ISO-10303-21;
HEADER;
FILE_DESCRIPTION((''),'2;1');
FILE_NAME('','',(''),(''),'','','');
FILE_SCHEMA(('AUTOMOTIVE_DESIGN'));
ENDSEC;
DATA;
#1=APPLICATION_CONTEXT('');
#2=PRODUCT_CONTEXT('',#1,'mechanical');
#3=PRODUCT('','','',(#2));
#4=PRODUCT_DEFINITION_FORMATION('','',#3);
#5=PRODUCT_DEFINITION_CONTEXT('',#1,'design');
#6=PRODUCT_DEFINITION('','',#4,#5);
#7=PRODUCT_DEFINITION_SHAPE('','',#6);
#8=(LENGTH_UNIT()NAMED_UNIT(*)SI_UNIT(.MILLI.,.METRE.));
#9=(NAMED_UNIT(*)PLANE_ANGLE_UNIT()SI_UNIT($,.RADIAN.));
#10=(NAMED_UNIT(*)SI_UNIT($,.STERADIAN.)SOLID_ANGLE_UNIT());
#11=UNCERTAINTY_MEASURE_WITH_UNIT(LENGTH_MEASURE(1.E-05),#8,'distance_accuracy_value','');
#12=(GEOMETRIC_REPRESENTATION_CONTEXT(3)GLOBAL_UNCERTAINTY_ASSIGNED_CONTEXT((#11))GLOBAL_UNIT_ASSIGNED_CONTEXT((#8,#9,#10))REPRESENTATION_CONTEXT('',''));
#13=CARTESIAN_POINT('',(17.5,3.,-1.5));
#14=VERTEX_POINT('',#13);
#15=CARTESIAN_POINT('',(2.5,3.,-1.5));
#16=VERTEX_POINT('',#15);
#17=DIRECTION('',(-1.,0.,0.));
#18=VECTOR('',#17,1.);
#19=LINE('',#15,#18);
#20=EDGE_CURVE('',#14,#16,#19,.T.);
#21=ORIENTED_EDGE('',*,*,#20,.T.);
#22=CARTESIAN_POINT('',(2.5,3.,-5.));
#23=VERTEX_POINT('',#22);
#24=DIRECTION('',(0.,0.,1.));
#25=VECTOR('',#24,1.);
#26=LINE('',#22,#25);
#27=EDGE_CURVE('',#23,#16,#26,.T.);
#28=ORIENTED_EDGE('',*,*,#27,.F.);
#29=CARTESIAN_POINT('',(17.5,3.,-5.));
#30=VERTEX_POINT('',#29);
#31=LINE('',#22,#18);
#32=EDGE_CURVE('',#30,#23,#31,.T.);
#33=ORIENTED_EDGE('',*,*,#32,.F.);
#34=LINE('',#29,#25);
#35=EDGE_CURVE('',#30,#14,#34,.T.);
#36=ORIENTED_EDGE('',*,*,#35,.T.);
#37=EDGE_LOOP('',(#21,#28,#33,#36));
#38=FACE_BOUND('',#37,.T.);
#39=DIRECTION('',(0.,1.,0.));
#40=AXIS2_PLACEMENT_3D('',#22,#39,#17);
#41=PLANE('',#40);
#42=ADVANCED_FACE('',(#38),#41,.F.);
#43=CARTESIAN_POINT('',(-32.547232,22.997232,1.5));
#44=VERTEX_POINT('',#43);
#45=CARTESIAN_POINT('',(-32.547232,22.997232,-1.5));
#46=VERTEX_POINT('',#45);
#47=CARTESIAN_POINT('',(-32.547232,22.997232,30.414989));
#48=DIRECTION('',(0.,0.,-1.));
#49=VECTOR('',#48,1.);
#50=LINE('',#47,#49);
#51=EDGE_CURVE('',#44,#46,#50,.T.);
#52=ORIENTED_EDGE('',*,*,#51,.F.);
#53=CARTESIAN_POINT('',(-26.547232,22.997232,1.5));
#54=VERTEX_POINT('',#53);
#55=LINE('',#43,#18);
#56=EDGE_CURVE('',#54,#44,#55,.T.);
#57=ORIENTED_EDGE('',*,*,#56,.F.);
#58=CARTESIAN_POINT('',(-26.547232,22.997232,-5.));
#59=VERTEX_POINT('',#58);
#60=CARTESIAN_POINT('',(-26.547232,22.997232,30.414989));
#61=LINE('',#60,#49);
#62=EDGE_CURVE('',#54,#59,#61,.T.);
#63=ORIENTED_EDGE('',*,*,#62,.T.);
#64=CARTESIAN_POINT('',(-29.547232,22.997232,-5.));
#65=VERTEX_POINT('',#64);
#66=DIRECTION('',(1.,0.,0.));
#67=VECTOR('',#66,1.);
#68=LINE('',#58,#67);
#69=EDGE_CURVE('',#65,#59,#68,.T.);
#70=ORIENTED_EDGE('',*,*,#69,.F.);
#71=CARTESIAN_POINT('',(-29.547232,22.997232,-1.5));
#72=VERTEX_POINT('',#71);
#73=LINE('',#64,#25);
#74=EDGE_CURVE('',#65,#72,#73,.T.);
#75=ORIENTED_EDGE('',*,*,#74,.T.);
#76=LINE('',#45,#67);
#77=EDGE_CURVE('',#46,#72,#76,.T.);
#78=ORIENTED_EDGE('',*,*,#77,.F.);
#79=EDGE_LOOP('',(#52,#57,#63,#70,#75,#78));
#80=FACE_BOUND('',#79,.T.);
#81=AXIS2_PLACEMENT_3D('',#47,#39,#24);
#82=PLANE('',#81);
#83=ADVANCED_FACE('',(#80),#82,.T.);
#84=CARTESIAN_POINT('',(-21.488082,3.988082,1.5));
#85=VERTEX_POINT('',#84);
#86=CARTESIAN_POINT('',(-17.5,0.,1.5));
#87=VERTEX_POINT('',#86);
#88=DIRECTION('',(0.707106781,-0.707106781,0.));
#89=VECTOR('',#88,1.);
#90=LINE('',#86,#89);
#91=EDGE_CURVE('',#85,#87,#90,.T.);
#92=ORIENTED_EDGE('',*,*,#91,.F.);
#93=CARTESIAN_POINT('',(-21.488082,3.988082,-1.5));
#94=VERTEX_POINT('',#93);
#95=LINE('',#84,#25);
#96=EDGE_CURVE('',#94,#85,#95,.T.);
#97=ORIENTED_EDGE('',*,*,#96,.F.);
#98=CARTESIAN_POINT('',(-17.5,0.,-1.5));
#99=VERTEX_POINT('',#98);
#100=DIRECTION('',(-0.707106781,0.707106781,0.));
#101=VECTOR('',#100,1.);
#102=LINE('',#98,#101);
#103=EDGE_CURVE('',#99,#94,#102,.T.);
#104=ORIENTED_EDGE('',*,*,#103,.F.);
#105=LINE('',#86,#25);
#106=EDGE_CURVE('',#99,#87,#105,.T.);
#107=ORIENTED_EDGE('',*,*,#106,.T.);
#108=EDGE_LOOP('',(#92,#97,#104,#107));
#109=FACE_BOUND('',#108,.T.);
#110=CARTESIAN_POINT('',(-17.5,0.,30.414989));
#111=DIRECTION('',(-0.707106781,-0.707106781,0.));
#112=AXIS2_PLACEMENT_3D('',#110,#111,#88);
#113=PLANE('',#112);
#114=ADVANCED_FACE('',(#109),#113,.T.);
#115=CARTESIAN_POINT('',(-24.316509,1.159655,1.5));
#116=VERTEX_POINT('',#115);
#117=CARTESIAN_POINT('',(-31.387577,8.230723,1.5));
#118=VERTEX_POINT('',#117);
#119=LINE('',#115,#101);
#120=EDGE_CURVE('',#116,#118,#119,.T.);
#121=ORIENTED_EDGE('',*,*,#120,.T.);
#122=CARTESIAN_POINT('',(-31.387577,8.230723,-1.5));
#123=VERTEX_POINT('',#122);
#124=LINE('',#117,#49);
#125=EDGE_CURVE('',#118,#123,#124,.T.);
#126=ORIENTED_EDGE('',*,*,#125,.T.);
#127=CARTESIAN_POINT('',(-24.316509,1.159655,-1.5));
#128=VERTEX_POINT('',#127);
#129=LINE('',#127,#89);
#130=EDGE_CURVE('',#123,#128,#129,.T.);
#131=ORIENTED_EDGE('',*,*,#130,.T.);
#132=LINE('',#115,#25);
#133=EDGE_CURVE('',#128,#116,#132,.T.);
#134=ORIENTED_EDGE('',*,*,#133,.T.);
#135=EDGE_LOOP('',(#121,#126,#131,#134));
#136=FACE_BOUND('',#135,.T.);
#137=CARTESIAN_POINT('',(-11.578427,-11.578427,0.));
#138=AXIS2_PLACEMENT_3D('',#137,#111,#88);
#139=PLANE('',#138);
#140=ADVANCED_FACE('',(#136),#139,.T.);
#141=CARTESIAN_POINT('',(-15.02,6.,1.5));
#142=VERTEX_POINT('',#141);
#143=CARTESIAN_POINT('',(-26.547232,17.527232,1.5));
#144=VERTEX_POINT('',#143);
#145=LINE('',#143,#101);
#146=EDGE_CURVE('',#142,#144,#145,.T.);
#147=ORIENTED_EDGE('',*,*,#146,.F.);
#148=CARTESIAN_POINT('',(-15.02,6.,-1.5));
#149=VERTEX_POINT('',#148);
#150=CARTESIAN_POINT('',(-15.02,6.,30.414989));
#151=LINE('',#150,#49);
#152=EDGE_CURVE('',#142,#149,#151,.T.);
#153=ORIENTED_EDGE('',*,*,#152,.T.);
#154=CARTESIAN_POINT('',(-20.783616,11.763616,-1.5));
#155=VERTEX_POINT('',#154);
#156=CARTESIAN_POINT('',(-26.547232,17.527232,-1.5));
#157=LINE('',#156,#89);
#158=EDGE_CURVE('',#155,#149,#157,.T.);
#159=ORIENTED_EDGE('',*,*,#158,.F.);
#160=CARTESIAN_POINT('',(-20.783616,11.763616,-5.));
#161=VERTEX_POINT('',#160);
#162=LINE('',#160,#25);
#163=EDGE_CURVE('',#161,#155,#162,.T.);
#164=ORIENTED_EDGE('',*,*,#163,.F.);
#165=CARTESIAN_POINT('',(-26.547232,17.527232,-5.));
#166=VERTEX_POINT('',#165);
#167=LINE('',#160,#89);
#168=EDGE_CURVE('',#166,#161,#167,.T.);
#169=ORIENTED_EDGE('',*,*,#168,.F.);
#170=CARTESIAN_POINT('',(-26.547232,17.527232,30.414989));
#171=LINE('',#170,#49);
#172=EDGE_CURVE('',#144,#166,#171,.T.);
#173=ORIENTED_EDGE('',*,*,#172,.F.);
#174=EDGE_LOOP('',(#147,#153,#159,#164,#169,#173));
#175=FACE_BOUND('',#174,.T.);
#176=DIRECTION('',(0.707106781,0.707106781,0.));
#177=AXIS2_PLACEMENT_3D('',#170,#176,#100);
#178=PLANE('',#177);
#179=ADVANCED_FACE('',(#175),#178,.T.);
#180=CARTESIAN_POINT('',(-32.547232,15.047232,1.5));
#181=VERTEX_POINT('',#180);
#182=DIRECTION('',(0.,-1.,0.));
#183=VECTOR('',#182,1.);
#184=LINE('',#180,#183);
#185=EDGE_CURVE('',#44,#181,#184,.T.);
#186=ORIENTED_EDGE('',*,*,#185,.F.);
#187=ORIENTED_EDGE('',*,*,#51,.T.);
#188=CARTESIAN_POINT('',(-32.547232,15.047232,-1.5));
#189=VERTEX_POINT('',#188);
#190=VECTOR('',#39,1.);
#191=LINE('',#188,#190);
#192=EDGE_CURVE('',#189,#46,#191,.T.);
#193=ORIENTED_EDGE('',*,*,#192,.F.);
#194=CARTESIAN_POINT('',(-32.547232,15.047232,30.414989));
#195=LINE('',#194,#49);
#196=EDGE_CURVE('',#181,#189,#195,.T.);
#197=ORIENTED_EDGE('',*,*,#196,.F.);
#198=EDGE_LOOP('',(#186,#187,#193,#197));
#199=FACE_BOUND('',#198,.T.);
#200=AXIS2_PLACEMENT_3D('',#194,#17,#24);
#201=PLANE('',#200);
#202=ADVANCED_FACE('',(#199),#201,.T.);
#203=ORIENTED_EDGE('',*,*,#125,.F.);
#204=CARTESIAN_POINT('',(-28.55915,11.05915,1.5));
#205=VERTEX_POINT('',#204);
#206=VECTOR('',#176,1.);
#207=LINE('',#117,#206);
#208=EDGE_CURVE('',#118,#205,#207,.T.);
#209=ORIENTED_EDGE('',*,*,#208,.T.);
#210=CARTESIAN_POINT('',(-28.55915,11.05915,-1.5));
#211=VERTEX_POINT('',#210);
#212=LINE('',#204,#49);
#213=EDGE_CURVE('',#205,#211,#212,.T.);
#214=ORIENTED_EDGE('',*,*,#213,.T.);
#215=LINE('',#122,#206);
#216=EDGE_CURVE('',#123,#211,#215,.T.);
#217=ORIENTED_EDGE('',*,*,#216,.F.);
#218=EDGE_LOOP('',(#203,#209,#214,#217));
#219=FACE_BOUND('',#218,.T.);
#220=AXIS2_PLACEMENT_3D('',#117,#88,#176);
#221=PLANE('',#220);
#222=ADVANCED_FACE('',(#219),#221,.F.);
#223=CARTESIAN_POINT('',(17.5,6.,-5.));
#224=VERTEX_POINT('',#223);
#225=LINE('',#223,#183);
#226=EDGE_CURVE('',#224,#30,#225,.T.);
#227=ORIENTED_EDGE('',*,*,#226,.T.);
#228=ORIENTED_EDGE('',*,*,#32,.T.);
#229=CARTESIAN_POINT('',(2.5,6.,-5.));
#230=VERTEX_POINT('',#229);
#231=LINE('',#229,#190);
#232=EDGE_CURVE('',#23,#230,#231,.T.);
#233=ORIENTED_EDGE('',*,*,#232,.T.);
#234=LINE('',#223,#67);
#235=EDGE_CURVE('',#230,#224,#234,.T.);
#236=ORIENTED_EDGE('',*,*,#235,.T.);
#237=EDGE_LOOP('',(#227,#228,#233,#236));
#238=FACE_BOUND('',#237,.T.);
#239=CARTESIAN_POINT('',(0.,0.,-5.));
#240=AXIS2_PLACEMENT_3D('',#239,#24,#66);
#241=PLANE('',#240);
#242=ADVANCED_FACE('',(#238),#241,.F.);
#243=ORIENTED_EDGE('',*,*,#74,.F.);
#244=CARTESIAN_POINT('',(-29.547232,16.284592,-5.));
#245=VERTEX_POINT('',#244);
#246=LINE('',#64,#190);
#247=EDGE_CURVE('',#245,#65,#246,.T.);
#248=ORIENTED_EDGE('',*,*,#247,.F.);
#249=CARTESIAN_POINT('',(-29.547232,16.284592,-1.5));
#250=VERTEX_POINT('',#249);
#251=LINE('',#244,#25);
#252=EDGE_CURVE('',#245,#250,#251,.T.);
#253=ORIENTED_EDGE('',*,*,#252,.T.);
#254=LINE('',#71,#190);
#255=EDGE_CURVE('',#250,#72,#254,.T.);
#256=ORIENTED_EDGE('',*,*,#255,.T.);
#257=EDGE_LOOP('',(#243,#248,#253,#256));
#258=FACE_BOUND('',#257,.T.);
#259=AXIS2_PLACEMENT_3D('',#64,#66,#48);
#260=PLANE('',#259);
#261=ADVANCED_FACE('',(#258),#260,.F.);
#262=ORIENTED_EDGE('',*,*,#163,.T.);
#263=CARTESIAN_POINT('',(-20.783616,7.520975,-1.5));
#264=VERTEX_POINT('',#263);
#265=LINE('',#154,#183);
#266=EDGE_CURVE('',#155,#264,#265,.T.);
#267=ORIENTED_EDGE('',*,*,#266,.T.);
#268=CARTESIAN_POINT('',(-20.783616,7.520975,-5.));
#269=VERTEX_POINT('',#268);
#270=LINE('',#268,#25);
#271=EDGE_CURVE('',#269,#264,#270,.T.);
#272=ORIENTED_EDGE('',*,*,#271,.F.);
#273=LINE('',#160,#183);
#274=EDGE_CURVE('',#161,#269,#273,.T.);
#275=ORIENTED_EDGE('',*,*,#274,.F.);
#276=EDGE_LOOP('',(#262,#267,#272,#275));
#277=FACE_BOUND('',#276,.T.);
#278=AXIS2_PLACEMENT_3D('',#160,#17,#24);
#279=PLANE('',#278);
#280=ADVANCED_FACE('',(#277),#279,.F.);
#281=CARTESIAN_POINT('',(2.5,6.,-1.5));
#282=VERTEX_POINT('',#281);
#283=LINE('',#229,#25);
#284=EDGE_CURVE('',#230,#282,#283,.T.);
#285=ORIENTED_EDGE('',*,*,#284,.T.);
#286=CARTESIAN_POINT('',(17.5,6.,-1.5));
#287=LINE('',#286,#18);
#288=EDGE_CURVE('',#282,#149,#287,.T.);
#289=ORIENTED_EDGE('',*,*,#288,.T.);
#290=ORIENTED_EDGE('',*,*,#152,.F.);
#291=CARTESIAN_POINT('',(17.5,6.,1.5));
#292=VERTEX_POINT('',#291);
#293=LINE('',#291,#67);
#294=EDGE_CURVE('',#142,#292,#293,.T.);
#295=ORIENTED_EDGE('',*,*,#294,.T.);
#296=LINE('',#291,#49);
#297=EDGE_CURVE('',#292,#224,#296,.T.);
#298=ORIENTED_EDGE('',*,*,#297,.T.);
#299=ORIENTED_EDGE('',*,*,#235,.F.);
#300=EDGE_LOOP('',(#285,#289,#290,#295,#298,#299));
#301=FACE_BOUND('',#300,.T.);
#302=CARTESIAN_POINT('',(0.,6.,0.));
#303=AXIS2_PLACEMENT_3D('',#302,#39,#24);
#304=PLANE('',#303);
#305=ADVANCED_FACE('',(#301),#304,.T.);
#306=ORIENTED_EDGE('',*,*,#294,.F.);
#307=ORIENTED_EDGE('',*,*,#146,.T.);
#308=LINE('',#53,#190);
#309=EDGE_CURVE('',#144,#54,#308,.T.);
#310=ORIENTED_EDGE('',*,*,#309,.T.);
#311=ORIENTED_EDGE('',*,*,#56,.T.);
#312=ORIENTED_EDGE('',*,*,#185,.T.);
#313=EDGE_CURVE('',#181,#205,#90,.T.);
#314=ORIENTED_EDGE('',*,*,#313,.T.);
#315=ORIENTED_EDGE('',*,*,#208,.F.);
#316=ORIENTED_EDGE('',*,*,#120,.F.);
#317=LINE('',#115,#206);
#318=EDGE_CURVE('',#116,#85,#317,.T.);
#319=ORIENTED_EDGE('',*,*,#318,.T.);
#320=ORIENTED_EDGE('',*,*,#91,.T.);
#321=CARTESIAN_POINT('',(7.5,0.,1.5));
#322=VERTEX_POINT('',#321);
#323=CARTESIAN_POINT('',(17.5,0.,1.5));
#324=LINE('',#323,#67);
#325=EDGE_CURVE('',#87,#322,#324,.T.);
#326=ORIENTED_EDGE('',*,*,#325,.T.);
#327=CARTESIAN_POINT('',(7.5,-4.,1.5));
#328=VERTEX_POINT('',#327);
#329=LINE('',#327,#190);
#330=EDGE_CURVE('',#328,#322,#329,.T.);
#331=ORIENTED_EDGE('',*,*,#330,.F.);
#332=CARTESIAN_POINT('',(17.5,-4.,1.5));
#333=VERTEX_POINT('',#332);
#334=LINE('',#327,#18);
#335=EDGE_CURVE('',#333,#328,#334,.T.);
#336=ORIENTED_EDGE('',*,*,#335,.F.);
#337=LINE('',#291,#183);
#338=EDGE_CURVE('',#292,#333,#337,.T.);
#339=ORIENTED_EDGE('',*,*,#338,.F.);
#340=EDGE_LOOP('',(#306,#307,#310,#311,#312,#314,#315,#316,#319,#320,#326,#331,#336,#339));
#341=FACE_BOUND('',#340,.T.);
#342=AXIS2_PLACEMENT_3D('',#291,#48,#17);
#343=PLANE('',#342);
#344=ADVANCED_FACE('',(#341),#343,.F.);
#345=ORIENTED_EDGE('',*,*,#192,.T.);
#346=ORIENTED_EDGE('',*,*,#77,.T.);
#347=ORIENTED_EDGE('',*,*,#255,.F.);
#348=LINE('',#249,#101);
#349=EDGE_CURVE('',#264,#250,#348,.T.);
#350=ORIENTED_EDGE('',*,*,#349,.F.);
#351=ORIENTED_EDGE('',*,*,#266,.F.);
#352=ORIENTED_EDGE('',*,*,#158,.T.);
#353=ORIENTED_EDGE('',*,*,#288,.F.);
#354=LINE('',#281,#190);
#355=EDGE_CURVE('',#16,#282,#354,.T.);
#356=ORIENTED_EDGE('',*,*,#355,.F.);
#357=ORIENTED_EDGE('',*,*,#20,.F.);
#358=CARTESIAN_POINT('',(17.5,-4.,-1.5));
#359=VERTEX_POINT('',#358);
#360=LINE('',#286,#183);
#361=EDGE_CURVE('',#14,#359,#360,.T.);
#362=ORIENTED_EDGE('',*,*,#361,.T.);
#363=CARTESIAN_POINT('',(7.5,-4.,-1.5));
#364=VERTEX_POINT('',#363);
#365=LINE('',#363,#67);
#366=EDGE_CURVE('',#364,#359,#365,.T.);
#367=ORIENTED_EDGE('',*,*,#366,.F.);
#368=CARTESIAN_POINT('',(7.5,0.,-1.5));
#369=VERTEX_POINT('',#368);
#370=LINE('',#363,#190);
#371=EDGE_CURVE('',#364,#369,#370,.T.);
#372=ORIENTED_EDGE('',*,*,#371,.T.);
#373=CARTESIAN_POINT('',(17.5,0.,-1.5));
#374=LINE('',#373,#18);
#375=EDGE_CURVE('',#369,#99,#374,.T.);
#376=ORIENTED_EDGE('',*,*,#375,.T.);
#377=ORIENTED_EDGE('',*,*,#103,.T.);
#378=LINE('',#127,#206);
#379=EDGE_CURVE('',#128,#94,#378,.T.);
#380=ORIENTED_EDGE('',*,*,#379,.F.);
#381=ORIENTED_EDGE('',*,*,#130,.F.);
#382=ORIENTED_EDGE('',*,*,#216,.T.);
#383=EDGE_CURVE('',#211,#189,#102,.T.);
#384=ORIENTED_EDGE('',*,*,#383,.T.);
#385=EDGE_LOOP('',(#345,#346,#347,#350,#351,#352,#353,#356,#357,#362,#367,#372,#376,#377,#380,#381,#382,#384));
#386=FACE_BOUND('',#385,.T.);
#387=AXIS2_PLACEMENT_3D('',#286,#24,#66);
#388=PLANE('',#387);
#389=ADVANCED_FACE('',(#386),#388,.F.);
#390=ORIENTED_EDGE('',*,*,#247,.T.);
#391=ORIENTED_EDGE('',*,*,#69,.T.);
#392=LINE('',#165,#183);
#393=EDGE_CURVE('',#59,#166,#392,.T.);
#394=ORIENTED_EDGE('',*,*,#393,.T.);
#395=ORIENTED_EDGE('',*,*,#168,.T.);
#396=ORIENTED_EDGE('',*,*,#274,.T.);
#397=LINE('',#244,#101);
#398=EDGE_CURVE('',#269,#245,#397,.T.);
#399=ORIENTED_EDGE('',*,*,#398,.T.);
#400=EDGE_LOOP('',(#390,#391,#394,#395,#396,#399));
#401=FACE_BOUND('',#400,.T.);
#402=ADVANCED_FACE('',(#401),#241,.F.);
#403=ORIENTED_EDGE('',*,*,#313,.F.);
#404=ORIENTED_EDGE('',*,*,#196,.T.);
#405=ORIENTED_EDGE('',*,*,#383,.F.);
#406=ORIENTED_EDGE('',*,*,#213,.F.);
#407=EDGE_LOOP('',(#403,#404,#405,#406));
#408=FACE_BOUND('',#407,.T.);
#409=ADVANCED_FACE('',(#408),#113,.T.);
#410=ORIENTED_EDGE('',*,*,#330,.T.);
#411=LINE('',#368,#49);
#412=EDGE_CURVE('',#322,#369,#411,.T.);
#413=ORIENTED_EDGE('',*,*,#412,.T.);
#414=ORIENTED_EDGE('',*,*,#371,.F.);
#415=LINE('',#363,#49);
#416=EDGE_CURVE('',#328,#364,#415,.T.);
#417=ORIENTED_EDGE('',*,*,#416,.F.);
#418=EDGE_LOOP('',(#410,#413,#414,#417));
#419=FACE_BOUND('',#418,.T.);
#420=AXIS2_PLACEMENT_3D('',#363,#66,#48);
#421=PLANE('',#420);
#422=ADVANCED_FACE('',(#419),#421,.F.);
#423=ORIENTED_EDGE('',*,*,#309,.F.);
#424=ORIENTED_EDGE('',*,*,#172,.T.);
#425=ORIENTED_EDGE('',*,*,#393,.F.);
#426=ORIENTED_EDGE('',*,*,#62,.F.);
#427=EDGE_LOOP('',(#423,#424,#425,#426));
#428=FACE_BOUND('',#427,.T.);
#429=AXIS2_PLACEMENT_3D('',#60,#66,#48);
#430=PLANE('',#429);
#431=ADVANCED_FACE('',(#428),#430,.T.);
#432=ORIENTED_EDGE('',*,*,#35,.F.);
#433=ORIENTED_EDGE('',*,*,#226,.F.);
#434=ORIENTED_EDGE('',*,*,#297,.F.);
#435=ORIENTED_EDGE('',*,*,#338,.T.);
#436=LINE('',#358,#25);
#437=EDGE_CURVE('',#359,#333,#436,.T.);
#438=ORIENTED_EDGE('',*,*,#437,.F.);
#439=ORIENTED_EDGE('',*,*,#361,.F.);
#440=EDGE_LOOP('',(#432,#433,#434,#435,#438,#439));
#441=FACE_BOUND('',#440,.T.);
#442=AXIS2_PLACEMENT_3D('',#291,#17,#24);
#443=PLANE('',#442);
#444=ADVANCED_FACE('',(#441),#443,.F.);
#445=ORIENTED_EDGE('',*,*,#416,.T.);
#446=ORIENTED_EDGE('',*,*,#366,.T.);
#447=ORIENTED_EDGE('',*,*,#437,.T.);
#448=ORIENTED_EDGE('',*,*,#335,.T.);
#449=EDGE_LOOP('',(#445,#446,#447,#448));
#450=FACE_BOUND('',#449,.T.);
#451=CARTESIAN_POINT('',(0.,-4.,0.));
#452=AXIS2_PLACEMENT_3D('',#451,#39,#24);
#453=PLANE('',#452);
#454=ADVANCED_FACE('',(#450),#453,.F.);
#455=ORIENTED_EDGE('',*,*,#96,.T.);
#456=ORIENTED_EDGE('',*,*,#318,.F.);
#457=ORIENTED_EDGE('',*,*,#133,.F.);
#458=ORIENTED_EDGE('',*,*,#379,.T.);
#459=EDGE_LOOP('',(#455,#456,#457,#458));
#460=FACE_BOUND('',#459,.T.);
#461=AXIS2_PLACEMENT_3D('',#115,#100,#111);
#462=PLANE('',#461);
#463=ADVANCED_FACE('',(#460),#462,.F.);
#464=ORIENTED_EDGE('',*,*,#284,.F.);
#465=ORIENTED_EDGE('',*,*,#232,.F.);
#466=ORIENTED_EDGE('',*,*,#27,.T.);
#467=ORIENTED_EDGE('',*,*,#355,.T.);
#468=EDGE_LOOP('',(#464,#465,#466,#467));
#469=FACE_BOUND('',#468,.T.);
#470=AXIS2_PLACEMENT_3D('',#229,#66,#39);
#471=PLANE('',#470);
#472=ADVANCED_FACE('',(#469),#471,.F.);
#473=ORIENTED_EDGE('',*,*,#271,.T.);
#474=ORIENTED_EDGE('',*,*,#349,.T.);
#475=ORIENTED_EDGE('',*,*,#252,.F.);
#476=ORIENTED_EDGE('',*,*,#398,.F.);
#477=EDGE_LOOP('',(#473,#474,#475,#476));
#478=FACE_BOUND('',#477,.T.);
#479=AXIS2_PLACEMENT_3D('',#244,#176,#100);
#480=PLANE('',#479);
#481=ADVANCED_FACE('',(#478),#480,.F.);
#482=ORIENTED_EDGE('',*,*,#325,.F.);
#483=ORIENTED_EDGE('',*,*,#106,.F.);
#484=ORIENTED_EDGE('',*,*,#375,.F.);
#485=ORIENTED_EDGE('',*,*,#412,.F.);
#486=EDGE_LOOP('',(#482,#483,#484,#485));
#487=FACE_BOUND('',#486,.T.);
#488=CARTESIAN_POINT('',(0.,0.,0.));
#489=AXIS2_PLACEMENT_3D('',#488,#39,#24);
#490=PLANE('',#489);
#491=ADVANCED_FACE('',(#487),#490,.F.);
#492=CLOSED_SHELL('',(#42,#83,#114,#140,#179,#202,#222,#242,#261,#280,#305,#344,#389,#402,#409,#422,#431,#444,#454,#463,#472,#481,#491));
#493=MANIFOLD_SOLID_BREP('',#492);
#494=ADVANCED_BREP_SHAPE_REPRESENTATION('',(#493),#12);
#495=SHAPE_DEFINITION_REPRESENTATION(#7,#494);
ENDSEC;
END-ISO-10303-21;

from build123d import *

# Parameters (mm, degrees)
SKETCH1_W           = 35
SKETCH1_H           = 3
BOSS_EXTRUDE1_DEPTH = 6
BOSS_EXTRUDE2_DEPTH = 3
SKETCH4_W           = 15
SKETCH4_H           = 3
BOSS_EXTRUDE3_DEPTH = 3.5
SKETCH5_W           = 10
SKETCH5_H           = 3
BOSS_EXTRUDE4_DEPTH = 4
SKETCH6_W           = 3
SKETCH6_H           = 10
BOSS_EXTRUDE5_DEPTH = 4


with BuildPart() as part:
    # Sketch1 → Boss-Extrude1 (new body)
    with BuildSketch(Plane(origin=(0, 0, 0), x_dir=(1, 0, 0), z_dir=(0, 1, 0))):
        Rectangle(SKETCH1_W, SKETCH1_H)
    extrude(amount=BOSS_EXTRUDE1_DEPTH)

    # Sketch3 → Boss-Extrude2 (add)
    with BuildSketch(Plane(origin=(0, 0, -1.5), x_dir=(-1, 0, 0), z_dir=(0, 0, -1))):
        Polygon((17.5, 0), (32.547232304, 15.047232304), (32.547232304, 22.997232304), (26.547232304, 22.997232304), (26.547232304, 17.527232304), (15.02, 6), (17.5, 6), align=None)
    extrude(amount=-BOSS_EXTRUDE2_DEPTH)

    # Sketch4 → Boss-Extrude3 (add)
    with BuildSketch(Plane(origin=(0, 0, -1.5), x_dir=(-1, 0, 0), z_dir=(0, 0, -1))):
        with Locations((-10, 4.5)):
            Rectangle(SKETCH4_W, SKETCH4_H)
        Polygon((20.783616152, 11.763616152), (26.547232304, 17.527232304), (26.547232304, 22.997232304), (29.547232304, 22.997232304), (29.547232304, 16.284591617), (20.783616152, 7.520975465), align=None)
    extrude(amount=BOSS_EXTRUDE3_DEPTH)

    # Sketch5 → Boss-Extrude4 (add)
    with BuildSketch(Plane.XZ):
        with Locations((12.5, 0)):
            Rectangle(SKETCH5_W, SKETCH5_H)
    extrude(amount=BOSS_EXTRUDE4_DEPTH)

    # Sketch6 → Boss-Extrude5 (add)
    with BuildSketch(Plane(origin=(-8.75, -8.75, 0), x_dir=(0, 0, 1), z_dir=(-0.707106781, -0.707106781, 0))):
        with Locations((0, 23.014368671)):
            Rectangle(SKETCH6_W, SKETCH6_H)
    extrude(amount=BOSS_EXTRUDE5_DEPTH)


solid = part.part
